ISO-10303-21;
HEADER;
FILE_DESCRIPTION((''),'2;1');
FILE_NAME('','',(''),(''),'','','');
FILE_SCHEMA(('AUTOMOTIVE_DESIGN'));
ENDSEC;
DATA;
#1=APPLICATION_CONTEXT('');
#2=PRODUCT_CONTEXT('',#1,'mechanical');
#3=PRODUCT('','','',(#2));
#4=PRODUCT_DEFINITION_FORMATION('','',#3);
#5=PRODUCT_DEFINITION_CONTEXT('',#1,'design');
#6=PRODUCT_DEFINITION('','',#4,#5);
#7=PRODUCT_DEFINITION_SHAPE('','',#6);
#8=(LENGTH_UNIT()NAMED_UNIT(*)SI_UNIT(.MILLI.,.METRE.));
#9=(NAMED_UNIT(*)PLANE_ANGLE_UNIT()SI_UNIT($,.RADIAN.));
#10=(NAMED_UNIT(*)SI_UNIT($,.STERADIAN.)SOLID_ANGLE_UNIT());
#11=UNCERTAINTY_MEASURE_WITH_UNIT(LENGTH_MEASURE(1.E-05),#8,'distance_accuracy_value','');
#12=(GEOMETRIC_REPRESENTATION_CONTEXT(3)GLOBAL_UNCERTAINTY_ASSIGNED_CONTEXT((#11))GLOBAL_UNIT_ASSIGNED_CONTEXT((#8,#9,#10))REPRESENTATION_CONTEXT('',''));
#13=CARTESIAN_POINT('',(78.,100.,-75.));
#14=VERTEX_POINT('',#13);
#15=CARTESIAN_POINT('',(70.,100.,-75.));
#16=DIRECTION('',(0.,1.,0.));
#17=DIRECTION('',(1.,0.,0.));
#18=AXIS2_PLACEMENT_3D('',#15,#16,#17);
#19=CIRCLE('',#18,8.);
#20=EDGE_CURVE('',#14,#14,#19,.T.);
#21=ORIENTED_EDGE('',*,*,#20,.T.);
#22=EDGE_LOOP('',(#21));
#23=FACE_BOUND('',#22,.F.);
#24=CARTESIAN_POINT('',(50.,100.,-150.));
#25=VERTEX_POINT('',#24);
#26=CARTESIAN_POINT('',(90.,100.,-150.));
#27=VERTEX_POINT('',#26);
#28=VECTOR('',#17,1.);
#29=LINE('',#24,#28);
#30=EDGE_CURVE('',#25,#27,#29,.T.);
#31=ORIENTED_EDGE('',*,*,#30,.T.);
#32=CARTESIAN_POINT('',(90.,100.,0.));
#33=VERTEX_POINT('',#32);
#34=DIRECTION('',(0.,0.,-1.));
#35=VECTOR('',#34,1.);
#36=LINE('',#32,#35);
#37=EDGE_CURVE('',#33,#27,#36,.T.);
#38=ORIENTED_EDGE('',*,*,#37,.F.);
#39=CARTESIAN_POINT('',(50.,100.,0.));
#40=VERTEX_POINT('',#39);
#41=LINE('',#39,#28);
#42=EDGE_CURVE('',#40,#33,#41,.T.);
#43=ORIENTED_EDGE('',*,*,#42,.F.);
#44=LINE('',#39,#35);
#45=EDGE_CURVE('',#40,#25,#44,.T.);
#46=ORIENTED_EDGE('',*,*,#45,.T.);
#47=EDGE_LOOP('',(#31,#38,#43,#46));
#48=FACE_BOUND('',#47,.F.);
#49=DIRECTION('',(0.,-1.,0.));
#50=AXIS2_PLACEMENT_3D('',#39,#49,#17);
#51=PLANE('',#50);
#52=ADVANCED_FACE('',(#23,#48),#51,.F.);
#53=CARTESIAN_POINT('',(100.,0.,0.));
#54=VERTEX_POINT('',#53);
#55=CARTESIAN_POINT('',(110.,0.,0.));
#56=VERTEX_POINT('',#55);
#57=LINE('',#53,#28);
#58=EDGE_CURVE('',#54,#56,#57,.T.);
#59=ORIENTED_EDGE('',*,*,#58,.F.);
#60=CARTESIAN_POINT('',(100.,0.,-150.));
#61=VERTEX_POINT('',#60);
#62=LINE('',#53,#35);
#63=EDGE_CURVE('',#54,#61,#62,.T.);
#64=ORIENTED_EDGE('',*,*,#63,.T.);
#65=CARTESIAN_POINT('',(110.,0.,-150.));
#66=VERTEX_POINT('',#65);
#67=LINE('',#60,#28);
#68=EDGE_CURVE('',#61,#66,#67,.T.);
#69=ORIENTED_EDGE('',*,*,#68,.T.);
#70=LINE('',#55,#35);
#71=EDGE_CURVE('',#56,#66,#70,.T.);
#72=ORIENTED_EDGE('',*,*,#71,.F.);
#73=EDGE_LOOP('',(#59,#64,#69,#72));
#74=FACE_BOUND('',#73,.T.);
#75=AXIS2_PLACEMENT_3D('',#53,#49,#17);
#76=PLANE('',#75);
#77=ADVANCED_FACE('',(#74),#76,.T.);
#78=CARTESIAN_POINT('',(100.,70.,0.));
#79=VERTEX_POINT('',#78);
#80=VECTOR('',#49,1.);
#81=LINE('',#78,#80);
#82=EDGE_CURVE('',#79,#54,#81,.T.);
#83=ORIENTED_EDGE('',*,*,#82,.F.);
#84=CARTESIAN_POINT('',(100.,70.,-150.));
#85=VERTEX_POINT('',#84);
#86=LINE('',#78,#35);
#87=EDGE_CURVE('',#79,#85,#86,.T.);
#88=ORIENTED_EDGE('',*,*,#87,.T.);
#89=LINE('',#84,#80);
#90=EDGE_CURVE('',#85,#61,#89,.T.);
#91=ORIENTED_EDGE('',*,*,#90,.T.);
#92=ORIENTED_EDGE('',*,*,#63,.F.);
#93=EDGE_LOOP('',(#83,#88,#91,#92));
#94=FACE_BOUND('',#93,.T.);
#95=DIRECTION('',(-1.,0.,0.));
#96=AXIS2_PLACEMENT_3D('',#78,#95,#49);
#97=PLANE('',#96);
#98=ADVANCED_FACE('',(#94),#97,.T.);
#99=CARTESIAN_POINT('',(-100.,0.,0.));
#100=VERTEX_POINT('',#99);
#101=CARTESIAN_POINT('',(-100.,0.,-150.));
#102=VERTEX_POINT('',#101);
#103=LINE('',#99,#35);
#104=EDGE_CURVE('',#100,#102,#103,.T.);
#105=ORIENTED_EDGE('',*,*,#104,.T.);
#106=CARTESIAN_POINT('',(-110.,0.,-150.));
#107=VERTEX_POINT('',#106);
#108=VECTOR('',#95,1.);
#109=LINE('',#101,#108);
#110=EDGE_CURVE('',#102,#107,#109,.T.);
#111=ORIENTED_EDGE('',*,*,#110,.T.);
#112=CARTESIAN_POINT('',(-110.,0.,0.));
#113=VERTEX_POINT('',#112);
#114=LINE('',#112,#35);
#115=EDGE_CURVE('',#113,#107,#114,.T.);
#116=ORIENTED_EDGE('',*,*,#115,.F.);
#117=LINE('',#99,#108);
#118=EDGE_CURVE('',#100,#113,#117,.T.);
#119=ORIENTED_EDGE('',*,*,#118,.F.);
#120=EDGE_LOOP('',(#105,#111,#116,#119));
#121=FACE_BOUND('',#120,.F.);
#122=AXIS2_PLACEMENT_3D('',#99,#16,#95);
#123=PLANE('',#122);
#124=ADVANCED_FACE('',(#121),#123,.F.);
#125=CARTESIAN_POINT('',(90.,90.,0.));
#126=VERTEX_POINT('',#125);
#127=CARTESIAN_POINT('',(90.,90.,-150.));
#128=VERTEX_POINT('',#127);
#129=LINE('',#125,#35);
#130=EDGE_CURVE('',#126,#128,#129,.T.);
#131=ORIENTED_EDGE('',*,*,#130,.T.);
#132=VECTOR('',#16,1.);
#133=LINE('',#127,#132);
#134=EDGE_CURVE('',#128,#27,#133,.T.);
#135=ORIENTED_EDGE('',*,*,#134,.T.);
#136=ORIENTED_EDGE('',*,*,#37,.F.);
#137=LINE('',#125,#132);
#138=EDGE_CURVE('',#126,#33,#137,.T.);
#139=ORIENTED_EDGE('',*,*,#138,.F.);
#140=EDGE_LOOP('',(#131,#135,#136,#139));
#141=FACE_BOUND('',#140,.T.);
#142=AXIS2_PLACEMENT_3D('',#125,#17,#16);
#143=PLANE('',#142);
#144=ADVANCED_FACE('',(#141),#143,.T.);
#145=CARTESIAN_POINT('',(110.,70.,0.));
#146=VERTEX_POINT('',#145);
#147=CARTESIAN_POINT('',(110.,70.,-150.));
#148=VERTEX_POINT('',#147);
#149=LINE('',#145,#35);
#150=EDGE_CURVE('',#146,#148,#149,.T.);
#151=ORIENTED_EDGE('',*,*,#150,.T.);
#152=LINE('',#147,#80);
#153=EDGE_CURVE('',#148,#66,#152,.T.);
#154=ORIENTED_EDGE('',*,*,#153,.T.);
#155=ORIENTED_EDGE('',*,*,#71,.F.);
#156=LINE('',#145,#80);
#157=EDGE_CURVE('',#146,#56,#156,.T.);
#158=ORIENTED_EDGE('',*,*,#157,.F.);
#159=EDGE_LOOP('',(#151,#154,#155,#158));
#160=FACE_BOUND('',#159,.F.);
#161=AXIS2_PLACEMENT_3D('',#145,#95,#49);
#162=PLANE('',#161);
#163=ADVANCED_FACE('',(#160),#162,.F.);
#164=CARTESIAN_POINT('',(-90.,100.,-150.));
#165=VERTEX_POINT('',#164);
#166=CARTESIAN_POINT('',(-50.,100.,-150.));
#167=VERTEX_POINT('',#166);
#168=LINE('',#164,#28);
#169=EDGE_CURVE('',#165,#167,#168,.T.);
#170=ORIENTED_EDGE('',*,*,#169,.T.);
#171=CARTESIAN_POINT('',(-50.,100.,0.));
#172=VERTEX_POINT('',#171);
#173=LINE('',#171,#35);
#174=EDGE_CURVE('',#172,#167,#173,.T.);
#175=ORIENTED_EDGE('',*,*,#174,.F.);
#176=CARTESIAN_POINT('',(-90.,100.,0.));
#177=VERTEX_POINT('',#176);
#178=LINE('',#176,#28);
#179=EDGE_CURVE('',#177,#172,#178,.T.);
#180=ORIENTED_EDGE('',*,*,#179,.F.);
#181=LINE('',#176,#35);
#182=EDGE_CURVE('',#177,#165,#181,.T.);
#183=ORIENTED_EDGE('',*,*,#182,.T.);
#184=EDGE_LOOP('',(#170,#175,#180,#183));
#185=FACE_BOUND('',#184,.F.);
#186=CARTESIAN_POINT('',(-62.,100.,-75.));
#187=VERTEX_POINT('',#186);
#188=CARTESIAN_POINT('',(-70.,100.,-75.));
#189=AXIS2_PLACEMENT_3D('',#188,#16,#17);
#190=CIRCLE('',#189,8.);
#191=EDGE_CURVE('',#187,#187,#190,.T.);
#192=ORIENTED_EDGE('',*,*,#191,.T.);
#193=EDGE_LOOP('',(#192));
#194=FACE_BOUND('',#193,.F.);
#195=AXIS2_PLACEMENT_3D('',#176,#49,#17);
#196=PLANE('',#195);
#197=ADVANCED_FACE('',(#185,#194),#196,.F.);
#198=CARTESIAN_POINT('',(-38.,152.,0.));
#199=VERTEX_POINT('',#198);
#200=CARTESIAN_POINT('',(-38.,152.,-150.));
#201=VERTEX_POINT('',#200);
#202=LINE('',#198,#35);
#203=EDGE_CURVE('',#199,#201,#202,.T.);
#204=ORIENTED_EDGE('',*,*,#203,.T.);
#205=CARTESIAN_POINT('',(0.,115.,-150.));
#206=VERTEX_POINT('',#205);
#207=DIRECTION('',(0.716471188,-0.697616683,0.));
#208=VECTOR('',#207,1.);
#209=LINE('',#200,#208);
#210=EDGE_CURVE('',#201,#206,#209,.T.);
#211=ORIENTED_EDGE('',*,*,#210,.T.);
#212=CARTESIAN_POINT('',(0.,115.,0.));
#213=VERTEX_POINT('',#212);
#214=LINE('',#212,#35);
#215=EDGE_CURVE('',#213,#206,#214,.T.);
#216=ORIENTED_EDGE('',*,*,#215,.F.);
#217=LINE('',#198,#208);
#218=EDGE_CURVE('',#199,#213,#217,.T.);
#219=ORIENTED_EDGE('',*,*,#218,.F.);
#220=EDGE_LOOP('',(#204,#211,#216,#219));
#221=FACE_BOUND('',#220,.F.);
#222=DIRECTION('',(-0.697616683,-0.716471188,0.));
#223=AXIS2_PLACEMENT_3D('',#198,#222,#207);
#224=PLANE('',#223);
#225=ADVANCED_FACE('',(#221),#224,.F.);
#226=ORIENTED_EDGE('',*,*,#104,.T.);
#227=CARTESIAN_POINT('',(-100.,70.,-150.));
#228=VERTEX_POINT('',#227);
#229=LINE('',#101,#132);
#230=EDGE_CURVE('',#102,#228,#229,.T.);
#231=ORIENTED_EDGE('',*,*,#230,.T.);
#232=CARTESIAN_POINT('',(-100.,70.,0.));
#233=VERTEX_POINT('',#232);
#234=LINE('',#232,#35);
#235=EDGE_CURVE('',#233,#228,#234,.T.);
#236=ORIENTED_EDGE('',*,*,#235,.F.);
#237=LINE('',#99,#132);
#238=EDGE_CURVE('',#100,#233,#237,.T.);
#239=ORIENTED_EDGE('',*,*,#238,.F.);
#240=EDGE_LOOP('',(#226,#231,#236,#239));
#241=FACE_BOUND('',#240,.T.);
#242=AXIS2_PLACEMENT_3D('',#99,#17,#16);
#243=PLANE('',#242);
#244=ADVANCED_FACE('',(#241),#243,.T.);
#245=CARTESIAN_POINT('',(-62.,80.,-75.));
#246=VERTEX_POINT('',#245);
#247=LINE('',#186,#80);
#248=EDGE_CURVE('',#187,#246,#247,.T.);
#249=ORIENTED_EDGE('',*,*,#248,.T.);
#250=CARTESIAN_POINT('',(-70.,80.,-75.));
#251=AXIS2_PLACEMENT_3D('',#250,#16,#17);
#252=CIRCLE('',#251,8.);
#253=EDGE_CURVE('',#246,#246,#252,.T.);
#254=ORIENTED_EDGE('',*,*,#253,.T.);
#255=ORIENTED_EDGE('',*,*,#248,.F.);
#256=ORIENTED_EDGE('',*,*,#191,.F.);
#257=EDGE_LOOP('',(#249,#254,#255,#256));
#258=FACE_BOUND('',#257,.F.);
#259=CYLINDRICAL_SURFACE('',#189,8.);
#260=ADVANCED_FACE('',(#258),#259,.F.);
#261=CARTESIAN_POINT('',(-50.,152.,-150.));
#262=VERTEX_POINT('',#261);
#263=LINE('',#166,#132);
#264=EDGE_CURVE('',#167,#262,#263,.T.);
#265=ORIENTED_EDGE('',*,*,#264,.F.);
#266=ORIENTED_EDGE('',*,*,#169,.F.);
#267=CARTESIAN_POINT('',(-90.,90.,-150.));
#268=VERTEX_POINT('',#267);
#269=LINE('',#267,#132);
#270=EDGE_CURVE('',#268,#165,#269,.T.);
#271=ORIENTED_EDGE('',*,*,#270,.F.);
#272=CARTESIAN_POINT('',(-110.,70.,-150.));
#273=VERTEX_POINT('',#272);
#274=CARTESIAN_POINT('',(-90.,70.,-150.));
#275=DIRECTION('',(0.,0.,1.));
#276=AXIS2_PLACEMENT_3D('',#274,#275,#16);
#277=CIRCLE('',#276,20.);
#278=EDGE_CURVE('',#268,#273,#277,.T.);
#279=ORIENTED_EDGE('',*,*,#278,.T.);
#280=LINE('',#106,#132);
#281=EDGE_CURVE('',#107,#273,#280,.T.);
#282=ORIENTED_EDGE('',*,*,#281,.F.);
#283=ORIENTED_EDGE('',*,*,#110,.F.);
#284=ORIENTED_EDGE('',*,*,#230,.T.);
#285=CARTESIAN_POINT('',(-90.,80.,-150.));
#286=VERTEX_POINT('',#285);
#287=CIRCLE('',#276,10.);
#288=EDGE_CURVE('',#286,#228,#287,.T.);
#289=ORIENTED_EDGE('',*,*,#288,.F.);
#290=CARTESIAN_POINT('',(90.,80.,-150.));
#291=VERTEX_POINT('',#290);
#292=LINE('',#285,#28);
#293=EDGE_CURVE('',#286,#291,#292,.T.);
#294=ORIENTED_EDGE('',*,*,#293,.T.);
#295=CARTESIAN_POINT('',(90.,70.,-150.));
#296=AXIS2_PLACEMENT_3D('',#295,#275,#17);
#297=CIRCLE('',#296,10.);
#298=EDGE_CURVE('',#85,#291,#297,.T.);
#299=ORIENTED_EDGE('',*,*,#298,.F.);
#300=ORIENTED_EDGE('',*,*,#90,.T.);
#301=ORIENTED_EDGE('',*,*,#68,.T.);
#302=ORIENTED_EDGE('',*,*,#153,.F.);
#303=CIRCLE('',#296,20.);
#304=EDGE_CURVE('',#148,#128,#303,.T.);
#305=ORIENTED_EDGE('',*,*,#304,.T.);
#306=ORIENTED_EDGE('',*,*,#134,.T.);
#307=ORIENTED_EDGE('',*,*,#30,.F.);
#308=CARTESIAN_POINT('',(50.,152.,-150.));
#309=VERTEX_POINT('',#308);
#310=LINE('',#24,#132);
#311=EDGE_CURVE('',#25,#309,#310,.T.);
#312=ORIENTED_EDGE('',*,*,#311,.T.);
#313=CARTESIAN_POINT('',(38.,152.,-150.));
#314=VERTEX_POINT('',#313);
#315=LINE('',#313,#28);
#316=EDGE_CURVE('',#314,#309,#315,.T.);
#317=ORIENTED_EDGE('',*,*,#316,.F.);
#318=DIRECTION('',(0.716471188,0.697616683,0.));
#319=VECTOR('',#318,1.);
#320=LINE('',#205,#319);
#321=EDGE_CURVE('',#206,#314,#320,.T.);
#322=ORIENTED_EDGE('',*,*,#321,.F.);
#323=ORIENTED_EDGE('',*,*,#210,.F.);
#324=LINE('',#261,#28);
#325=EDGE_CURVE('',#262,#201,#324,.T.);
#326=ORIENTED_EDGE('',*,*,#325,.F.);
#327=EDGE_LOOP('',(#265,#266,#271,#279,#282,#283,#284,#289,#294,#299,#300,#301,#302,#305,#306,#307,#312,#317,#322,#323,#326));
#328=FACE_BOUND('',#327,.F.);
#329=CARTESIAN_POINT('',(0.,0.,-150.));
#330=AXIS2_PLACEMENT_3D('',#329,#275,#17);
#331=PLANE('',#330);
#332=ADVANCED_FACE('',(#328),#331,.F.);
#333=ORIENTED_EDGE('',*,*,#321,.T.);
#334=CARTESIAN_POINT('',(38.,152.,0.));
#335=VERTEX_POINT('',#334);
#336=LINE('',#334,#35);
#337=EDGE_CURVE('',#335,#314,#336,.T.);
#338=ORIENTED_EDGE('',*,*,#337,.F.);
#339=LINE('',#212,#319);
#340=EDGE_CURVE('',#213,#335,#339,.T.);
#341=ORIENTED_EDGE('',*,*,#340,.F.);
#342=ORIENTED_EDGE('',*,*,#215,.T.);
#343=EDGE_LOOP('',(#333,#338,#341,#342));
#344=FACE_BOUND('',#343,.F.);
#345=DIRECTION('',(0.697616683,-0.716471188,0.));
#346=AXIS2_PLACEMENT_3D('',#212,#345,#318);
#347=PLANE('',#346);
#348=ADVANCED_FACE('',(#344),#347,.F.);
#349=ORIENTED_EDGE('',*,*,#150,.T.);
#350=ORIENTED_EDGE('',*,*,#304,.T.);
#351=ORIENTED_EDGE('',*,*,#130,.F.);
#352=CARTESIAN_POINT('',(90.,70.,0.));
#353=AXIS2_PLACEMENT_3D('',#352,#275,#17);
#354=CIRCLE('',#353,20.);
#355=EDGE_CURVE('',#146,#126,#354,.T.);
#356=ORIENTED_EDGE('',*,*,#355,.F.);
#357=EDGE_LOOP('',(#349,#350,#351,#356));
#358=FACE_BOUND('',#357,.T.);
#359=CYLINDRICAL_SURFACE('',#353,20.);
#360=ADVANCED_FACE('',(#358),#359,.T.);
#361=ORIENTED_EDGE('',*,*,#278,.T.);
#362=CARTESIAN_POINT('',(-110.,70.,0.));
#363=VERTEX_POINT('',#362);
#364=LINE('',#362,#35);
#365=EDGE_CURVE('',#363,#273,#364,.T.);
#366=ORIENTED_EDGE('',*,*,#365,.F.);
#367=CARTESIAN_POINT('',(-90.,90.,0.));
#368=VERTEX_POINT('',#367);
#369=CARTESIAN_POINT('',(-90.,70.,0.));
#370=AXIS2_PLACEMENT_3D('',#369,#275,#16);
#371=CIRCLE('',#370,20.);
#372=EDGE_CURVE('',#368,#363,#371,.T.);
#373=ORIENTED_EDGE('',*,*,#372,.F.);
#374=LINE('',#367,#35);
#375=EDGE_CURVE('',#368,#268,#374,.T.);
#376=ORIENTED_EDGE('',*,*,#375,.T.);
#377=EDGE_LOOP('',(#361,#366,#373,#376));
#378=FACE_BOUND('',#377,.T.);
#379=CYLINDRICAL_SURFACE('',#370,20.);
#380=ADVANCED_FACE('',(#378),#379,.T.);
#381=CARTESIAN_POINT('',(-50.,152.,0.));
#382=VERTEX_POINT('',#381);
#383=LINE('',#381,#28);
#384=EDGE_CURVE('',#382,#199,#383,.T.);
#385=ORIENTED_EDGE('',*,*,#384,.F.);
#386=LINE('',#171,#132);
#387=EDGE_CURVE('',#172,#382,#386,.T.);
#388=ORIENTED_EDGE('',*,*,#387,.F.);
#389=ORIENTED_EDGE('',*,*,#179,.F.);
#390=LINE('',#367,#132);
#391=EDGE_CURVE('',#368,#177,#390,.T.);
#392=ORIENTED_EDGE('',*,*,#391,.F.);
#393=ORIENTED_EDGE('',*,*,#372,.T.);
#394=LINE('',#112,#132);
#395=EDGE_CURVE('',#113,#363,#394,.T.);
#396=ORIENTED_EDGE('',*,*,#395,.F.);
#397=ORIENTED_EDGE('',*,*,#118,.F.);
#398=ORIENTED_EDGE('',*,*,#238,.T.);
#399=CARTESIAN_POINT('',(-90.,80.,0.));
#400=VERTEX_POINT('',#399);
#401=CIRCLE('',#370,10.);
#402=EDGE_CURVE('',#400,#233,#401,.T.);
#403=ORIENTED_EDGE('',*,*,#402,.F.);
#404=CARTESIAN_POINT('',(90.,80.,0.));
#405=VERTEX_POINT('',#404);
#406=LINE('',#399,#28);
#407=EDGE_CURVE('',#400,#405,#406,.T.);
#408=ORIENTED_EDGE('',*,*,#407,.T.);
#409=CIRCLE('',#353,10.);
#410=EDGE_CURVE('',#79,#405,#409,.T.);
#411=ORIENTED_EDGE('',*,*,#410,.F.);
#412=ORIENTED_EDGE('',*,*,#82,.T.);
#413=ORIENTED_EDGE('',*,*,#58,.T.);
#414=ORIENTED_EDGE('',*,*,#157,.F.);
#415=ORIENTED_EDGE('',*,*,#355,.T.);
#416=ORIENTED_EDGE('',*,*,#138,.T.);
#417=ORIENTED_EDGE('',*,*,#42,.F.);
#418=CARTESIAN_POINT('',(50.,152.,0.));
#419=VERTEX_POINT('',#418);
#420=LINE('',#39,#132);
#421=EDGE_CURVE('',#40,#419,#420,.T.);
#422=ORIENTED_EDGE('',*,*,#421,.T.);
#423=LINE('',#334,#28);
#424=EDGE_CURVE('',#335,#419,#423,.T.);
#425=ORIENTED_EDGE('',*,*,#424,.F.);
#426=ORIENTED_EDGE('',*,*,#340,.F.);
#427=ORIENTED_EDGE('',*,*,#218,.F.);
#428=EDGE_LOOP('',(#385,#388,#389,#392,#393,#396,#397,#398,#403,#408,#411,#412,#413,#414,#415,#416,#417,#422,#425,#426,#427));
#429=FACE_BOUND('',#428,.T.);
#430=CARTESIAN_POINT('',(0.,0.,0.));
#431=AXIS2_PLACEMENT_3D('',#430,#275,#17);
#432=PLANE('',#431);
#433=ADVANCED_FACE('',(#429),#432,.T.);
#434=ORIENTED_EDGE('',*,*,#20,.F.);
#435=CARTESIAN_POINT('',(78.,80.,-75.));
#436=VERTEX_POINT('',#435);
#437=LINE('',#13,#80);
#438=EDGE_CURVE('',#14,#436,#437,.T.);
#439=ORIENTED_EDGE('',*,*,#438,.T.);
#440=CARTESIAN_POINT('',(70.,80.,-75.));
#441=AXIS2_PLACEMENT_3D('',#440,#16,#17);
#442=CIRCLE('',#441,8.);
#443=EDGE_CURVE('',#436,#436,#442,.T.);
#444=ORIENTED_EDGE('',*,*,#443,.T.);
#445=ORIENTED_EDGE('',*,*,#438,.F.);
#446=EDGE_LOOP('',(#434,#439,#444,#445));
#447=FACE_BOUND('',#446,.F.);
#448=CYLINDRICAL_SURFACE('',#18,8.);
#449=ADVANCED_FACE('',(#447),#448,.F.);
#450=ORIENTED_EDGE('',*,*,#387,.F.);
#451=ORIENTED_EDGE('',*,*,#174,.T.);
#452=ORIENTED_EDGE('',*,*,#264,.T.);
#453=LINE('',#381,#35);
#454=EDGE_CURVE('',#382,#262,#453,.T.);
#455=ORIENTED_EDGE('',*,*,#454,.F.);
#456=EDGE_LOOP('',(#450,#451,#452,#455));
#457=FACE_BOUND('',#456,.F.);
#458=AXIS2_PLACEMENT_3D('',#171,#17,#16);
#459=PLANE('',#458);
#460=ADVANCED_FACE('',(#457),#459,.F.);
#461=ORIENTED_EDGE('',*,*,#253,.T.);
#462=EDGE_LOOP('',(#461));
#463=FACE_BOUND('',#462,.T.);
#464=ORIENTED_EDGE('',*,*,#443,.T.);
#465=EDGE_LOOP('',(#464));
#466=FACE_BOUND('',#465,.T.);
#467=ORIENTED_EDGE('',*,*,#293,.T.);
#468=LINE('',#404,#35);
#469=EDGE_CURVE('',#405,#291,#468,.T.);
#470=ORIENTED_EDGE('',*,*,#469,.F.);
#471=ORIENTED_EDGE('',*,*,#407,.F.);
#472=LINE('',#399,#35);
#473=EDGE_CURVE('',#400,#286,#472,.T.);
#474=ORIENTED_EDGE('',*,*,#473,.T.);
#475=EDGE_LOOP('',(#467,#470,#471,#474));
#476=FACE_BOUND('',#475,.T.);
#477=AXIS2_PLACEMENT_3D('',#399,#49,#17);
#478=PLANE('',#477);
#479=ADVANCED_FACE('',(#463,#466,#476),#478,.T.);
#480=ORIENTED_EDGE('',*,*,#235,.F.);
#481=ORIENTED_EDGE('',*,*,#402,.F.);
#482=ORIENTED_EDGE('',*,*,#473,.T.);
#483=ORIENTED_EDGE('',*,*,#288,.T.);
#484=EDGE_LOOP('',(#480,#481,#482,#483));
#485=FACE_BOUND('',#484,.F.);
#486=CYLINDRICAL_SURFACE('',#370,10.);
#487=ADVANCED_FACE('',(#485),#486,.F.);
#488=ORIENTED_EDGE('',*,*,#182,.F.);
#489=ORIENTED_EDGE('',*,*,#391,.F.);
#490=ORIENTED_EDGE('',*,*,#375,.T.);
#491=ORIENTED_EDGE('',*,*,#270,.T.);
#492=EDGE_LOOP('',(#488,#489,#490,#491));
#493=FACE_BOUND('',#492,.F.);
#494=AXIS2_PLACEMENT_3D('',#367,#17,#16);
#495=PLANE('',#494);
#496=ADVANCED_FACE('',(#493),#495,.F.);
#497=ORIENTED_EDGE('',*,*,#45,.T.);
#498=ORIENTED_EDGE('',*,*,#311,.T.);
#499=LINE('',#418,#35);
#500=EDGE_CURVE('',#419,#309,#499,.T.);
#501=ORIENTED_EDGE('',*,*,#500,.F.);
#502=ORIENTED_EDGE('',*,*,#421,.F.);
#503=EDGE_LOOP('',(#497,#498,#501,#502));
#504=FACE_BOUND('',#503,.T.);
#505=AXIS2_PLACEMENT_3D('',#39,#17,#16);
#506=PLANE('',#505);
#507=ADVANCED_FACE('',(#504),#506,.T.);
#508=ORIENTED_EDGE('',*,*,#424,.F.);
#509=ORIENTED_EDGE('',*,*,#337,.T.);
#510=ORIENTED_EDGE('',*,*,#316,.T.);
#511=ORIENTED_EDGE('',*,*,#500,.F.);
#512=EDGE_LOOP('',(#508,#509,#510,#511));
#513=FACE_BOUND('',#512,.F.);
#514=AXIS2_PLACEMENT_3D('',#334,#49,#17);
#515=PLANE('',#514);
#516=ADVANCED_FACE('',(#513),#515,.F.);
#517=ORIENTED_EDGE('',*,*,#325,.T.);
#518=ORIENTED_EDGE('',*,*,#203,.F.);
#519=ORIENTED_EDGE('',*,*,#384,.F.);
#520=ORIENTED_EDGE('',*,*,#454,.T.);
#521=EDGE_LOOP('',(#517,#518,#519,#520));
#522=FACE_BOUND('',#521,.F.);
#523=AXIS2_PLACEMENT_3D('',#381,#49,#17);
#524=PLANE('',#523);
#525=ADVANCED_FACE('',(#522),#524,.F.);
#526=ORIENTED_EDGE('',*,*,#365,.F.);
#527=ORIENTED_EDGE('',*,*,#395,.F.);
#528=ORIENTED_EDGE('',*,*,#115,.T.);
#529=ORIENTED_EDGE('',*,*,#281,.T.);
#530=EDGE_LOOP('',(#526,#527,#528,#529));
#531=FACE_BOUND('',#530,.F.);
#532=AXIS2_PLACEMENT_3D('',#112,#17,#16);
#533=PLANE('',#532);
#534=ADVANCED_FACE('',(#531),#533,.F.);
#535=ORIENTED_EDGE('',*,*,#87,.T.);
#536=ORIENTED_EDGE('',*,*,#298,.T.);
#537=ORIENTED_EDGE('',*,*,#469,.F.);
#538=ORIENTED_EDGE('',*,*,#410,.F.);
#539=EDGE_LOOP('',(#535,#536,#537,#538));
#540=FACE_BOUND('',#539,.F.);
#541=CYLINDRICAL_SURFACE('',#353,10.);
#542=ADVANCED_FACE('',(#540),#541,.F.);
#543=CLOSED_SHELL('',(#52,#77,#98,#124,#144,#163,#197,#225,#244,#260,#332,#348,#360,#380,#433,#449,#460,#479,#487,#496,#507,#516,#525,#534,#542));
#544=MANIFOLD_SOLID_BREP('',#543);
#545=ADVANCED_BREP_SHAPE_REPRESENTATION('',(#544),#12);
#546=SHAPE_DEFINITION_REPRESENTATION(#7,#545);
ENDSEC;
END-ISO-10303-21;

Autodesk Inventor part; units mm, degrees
ref_plane "YZ Plane" through (0, 0, 0) normal (1, 0, 0) x (0, 1, 0)
ref_plane "XZ Plane" through (0, 0, 0) normal (0, 1, 0) x (-1, 0, 0)
ref_plane "XY Plane" through (0, 0, 0) normal (0, 0, 1) x (1, 0, 0)
sketch "Sketch1" plane through (0, 0, 0) normal (0, 0, 1) x (1, 0, 0)
  line L0 (-100, 0) -> (-100, 70)
  line L1 (-90, 80) -> (90, 80)
  line L2 (100, 70) -> (100, 0)
  arc A0 (-90, 80) -> (-100, 70) centre (-90, 70) ccw
  arc A1 (100, 70) -> (90, 80) centre (90, 70) ccw
  line L3 (-110, 0) -> (-110, 70)
  arc A2 (-90, 90) -> (-110, 70) centre (-90, 70) ccw
  arc A3 (110, 70) -> (90, 90) centre (90, 70) ccw
  line L4 (110, 70) -> (110, 0)
  line L5 (100, 0) -> (110, 0)
  line L6 (-100, 0) -> (-110, 0)
  line L7 (-90, 90) -> (-90, 100)
  line L8 (90, 90) -> (90, 100)
  line L9 (-50, 100) -> (-50, 152)
  line L10 (50, 100) -> (50, 152)
  line L11 (-38, 152) -> (0, 115)
  line L12 (0, 115) -> (38, 152)
  line L13 (-50, 152) -> (-38, 152)
  line L14 (38, 152) -> (50, 152)
  line L15 (-90, 100) -> (-50, 100)
  line L16 (50, 100) -> (90, 100)
  point P0 (0, 0)
  dimension "d0" = 100
  dimension "d1" = 100
  dimension "d2" = 80
  dimension "d4" = 10
  dimension "d5" = 10
  dimension "d24" = 10
  dimension "d25" = 50
  dimension "d26" = 50
  dimension "d31" = 12
  dimension "d32" = 12
  dimension "d33" = 50
  dimension "d37" = 15
  dimension "d38" = 20
  dimension "d39" = 20
  dimension "d40" = 52
  dimension "d41" = 52
extrude "Extrusion1" add sketch "Sketch1" against normal blind 150
sketch "Sketch4" plane through (-90, 100, 0) normal (0, 1, 0) x (1, 0, 0)
  circle A0 centre (20, 75) radius 8
  circle A1 centre (160, 75) radius 8
  line L0 (0, 0) -> (0, 150) projected
  line L1 (40, 0) -> (0, 0) projected
  line L2 (180, 0) -> (180, 150) projected
  line L3 (180, 0) -> (140, 0) projected
  point P0 (90, 0)
  dimension "d42" = 16
  dimension "d43" = 20
  dimension "d44" = 20
  dimension "d45" = 75
  dimension "d46" = 75
extrude "Extrusion4" cut sketch "Sketch4" against normal blind 50
equation "\"d26\" = d25"
equation "\"d33\" = d25"
equation "\"d39\" = d38"
equation "\"d41\" = d40"
equation "\"d44\" = d43"
equation "\"d46\" = d45"
equation "\"d36\" = d34"
equation "\"d34\" = 75"
properties part number "Base soporte tubos"
